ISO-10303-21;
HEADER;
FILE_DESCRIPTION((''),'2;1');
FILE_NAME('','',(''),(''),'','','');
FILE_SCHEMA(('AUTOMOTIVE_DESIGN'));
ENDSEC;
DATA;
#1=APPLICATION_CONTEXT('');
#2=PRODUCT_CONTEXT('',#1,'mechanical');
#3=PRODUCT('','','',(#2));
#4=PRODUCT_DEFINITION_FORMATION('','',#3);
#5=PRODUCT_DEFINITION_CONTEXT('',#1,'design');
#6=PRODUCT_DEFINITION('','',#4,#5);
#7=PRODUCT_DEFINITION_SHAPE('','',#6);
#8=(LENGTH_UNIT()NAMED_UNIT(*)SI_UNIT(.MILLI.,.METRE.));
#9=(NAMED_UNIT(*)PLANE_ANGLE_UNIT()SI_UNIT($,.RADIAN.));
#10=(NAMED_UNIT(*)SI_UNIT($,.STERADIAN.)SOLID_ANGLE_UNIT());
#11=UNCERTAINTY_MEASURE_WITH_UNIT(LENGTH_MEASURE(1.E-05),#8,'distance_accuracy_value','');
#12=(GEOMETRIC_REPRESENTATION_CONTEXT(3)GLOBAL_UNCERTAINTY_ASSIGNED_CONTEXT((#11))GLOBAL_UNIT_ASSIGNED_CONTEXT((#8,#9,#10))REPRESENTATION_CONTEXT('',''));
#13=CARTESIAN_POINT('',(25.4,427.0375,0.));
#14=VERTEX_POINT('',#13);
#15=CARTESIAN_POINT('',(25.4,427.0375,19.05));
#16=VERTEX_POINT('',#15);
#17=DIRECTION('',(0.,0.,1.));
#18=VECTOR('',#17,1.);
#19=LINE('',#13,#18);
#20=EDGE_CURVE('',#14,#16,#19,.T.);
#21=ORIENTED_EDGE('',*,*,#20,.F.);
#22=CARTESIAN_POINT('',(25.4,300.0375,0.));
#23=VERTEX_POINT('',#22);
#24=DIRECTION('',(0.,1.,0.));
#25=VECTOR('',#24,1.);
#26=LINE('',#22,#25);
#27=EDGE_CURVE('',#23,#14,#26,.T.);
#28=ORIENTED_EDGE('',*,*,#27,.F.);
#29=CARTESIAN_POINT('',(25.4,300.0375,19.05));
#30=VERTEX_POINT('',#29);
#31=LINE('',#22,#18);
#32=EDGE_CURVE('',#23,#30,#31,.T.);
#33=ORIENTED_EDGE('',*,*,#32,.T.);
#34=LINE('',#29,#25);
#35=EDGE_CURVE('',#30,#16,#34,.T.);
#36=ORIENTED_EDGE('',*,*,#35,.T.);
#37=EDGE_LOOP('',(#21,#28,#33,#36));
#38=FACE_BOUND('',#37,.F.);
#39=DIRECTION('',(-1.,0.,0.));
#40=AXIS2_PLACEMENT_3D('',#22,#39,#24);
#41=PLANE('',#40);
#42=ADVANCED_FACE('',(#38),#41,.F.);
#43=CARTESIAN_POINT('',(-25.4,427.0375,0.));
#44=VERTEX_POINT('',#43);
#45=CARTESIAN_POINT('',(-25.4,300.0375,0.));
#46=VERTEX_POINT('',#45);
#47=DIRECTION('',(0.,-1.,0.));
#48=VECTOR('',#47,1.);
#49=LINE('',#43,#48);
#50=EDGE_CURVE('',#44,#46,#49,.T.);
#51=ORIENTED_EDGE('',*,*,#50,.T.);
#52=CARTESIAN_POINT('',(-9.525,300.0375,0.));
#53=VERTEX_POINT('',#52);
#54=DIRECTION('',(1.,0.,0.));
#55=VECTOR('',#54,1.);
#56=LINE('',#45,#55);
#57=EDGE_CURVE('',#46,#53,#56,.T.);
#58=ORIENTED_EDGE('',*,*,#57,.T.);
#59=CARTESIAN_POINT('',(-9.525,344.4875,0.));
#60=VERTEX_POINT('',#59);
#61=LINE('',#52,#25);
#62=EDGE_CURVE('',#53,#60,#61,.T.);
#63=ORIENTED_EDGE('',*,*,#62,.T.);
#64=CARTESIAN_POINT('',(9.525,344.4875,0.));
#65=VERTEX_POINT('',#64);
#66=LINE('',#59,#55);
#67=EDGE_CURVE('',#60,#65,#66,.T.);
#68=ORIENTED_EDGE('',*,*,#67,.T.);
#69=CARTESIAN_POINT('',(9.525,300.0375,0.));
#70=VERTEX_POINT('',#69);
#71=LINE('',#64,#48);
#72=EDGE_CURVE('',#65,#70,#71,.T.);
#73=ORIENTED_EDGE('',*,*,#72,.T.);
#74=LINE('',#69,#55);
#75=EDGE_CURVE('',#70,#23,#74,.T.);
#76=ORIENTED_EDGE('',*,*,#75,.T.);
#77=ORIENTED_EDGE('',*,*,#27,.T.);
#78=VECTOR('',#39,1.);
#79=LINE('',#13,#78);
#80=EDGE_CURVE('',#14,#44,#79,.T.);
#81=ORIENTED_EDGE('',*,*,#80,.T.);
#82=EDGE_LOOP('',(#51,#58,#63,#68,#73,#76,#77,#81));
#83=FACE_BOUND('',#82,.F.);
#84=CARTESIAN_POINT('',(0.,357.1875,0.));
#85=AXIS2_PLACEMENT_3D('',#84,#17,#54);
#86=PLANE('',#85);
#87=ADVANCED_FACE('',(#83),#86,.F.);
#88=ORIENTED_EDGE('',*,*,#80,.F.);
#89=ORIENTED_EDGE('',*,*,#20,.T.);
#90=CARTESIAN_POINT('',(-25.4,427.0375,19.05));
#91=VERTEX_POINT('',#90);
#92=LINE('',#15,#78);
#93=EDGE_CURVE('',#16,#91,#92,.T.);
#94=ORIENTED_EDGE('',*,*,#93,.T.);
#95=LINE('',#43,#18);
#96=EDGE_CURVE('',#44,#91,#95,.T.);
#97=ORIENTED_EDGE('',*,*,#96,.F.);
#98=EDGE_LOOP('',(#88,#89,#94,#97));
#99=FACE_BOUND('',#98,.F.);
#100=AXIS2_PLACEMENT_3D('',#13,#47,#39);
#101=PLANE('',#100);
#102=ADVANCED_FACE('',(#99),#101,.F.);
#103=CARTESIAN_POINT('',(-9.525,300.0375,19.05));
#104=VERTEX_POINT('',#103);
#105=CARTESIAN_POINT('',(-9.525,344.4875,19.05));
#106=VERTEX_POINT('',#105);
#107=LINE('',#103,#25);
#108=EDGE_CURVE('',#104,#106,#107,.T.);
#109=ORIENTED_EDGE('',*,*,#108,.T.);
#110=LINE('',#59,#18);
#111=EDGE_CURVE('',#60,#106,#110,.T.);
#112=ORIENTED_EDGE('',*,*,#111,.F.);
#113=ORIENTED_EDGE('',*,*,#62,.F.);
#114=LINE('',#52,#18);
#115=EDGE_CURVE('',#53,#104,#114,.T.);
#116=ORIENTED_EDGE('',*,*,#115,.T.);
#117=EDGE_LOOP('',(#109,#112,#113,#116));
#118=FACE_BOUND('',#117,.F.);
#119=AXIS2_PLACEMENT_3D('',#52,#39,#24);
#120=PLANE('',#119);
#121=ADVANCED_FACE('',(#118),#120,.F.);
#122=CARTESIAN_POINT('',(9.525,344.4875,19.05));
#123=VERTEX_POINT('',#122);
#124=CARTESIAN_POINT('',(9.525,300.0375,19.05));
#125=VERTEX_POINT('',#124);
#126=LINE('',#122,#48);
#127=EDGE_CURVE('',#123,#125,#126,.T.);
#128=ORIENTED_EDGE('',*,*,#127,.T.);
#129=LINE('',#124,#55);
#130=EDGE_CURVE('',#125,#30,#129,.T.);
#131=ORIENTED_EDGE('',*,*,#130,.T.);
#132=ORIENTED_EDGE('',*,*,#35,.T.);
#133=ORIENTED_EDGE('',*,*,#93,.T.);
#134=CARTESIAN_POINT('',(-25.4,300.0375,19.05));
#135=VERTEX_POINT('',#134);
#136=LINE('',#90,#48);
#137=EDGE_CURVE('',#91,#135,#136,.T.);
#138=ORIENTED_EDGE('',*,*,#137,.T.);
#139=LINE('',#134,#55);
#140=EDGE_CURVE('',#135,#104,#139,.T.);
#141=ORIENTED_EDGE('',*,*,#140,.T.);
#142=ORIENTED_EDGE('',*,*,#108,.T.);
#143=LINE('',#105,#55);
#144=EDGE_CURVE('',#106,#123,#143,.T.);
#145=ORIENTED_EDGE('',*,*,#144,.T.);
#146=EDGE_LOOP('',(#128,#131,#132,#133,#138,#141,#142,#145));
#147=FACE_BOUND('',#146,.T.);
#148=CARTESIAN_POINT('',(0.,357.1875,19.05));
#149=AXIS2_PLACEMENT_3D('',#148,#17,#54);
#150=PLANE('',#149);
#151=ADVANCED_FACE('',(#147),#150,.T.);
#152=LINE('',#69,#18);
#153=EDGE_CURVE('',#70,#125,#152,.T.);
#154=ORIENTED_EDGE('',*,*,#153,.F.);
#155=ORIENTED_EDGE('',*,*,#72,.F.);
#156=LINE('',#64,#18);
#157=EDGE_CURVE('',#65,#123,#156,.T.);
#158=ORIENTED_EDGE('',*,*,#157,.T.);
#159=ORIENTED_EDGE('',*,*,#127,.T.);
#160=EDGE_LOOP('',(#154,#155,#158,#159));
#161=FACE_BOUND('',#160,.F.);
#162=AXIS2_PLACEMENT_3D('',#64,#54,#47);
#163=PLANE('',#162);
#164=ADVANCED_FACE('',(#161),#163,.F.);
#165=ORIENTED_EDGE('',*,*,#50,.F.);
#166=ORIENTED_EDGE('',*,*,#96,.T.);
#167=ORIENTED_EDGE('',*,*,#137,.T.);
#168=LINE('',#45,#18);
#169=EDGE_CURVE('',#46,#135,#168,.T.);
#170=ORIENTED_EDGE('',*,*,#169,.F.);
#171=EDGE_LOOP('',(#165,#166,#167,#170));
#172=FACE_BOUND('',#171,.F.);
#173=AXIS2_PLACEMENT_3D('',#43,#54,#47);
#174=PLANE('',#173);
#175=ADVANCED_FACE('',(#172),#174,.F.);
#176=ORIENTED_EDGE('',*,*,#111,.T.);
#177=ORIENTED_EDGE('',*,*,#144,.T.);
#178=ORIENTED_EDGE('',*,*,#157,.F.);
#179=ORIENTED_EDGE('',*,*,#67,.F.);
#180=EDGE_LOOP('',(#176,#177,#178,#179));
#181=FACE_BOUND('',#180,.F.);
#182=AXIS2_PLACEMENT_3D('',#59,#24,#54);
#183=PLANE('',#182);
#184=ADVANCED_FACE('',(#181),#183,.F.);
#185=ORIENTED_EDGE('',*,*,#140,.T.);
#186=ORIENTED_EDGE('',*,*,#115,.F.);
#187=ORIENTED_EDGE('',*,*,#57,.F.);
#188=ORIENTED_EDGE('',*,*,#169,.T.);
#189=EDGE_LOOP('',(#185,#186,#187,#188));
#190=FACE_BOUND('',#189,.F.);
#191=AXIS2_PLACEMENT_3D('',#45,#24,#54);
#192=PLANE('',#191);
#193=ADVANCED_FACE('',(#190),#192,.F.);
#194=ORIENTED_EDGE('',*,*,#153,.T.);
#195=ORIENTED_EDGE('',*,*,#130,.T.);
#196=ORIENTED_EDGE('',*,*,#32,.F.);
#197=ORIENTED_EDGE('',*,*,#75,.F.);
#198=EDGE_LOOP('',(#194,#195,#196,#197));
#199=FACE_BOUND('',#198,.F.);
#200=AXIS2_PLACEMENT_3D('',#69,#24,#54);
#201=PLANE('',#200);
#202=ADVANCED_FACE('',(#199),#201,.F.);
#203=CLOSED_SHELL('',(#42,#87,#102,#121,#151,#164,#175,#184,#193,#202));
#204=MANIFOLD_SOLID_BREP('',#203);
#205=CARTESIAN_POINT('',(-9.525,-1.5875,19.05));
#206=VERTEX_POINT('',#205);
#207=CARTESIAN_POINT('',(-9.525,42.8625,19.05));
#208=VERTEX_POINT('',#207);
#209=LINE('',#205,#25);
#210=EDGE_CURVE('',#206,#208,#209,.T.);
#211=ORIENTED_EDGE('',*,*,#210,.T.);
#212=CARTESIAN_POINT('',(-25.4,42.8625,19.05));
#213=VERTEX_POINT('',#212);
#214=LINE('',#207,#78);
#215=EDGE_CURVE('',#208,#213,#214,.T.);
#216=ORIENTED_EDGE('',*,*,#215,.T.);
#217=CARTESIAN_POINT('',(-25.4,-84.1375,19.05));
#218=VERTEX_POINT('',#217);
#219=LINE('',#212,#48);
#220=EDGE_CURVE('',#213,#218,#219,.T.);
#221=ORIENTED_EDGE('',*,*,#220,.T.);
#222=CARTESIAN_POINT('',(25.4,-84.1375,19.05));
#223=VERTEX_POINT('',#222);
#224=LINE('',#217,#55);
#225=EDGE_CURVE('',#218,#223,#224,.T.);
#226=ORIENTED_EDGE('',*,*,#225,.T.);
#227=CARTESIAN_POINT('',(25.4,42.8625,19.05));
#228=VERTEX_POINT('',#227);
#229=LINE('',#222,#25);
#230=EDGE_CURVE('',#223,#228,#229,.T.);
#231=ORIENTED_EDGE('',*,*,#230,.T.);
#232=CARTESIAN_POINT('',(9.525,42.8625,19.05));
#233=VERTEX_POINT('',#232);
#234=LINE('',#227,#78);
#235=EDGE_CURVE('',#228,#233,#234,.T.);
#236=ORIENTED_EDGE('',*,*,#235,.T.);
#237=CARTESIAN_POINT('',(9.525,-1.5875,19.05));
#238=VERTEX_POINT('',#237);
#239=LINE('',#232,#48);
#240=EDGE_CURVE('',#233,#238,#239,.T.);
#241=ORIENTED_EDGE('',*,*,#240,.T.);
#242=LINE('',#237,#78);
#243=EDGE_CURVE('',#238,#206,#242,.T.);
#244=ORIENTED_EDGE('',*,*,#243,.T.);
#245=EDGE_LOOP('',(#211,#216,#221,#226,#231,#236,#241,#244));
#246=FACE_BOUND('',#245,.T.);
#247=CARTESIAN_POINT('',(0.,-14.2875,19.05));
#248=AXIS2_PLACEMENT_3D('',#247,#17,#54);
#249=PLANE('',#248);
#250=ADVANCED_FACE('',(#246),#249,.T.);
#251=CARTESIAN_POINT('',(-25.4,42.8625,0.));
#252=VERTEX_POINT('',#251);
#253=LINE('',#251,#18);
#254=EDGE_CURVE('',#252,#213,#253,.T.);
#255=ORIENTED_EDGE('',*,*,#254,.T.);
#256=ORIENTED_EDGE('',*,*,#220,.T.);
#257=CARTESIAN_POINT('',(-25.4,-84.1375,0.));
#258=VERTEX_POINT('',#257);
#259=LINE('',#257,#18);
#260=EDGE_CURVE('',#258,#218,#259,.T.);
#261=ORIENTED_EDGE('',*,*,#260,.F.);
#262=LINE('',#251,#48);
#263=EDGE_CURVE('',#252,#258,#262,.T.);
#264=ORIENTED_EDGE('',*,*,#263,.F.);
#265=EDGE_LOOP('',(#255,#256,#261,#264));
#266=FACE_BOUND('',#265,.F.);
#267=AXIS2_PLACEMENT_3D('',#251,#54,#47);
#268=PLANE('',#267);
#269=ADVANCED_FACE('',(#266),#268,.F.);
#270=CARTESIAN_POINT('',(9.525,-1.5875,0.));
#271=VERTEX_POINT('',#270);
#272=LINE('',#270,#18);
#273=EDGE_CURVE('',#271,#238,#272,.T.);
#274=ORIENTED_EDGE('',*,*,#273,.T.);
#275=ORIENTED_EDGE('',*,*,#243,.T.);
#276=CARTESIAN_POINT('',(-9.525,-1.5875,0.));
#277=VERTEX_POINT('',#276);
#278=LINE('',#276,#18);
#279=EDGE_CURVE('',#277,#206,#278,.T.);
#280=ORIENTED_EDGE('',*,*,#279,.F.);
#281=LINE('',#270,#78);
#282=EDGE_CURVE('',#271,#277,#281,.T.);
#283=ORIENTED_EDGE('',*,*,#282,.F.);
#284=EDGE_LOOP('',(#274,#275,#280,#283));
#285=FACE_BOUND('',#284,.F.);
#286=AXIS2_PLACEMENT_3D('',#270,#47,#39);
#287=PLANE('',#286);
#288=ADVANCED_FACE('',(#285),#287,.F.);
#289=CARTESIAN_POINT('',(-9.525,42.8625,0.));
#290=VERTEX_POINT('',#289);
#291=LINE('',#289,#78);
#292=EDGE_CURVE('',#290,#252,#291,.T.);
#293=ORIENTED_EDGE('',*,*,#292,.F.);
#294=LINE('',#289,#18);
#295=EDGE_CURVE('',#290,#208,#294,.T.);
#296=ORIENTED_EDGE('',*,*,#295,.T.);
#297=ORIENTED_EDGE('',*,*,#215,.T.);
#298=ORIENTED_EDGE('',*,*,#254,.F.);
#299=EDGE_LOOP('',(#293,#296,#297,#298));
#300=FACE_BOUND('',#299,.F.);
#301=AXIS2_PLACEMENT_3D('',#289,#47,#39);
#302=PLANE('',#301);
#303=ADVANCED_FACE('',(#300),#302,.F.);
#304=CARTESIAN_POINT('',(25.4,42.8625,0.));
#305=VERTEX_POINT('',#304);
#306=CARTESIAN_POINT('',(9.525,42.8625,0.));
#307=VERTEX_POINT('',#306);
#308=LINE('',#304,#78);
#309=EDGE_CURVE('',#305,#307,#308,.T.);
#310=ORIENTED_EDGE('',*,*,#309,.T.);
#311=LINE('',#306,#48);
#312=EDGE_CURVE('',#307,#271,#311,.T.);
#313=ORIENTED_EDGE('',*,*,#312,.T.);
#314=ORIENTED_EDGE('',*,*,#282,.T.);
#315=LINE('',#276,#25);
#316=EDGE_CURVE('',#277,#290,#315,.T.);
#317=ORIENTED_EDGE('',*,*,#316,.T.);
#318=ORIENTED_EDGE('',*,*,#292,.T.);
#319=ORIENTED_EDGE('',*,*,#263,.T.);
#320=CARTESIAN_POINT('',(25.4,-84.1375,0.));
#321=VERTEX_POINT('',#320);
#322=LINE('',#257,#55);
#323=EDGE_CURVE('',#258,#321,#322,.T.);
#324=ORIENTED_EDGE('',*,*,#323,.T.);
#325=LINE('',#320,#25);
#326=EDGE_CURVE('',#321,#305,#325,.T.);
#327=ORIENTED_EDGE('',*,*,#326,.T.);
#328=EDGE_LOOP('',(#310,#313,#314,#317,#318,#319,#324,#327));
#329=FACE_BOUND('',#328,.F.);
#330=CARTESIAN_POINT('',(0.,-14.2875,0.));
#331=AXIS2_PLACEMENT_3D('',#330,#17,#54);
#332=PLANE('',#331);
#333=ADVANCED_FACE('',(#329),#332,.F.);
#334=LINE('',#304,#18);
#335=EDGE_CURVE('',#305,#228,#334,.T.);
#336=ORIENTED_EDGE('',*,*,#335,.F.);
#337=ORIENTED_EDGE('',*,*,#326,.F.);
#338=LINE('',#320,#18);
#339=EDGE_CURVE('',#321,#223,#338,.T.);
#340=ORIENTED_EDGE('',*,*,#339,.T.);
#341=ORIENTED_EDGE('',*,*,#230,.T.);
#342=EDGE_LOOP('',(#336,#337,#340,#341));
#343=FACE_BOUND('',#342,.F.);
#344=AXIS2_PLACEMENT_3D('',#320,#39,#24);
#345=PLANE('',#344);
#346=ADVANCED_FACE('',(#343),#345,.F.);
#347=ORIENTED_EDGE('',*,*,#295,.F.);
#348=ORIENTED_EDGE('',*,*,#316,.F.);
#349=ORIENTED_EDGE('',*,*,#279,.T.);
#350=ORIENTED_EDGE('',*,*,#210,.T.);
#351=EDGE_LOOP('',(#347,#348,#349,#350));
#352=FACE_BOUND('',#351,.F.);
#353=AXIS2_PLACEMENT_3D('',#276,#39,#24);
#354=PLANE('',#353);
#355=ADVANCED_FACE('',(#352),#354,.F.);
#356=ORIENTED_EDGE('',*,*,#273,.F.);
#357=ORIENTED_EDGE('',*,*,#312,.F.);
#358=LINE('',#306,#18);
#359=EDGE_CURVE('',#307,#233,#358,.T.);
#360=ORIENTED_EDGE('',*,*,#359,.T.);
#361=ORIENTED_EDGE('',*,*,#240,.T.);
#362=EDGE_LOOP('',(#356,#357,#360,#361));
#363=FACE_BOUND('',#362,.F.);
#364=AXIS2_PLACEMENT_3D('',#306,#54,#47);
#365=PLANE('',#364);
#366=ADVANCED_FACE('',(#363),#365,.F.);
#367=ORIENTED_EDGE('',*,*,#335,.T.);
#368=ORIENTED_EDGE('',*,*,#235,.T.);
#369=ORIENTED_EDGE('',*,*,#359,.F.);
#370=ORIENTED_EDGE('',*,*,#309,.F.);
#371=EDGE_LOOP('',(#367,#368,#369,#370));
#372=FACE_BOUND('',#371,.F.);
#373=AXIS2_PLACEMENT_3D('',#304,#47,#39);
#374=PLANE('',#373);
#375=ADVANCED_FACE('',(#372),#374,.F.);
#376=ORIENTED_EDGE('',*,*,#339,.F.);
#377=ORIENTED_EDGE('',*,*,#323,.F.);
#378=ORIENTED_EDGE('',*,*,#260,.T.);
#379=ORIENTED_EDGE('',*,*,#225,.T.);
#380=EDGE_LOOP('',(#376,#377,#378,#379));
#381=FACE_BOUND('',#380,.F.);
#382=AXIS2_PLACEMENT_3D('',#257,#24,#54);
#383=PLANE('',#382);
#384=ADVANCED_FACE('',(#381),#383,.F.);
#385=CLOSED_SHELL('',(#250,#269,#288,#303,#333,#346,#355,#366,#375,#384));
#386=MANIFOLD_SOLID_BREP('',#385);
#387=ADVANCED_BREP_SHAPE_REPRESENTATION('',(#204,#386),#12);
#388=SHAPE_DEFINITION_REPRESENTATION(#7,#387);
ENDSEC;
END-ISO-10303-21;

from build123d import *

# Parameters (mm, degrees)
F1_DEPTH = 19.05


with BuildPart() as f1:
    # F0 (on Top) → F1 (new body)
    with BuildSketch(Plane.XY):
        Polygon((-25.4, 42.8625), (-25.4, -84.1375), (25.4, -84.1375), (25.4, 42.8625), (9.525, 42.8625), (9.525, -1.5875), (-9.525, -1.5875), (-9.525, 42.8625), align=None)
        Polygon((9.525, 300.0375), (25.4, 300.0375), (25.4, 427.0375), (-25.4, 427.0375), (-25.4, 300.0375), (-9.525, 300.0375), (-9.525, 344.4875), (9.525, 344.4875), align=None)
    extrude(amount=F1_DEPTH)


solid = f1.part
